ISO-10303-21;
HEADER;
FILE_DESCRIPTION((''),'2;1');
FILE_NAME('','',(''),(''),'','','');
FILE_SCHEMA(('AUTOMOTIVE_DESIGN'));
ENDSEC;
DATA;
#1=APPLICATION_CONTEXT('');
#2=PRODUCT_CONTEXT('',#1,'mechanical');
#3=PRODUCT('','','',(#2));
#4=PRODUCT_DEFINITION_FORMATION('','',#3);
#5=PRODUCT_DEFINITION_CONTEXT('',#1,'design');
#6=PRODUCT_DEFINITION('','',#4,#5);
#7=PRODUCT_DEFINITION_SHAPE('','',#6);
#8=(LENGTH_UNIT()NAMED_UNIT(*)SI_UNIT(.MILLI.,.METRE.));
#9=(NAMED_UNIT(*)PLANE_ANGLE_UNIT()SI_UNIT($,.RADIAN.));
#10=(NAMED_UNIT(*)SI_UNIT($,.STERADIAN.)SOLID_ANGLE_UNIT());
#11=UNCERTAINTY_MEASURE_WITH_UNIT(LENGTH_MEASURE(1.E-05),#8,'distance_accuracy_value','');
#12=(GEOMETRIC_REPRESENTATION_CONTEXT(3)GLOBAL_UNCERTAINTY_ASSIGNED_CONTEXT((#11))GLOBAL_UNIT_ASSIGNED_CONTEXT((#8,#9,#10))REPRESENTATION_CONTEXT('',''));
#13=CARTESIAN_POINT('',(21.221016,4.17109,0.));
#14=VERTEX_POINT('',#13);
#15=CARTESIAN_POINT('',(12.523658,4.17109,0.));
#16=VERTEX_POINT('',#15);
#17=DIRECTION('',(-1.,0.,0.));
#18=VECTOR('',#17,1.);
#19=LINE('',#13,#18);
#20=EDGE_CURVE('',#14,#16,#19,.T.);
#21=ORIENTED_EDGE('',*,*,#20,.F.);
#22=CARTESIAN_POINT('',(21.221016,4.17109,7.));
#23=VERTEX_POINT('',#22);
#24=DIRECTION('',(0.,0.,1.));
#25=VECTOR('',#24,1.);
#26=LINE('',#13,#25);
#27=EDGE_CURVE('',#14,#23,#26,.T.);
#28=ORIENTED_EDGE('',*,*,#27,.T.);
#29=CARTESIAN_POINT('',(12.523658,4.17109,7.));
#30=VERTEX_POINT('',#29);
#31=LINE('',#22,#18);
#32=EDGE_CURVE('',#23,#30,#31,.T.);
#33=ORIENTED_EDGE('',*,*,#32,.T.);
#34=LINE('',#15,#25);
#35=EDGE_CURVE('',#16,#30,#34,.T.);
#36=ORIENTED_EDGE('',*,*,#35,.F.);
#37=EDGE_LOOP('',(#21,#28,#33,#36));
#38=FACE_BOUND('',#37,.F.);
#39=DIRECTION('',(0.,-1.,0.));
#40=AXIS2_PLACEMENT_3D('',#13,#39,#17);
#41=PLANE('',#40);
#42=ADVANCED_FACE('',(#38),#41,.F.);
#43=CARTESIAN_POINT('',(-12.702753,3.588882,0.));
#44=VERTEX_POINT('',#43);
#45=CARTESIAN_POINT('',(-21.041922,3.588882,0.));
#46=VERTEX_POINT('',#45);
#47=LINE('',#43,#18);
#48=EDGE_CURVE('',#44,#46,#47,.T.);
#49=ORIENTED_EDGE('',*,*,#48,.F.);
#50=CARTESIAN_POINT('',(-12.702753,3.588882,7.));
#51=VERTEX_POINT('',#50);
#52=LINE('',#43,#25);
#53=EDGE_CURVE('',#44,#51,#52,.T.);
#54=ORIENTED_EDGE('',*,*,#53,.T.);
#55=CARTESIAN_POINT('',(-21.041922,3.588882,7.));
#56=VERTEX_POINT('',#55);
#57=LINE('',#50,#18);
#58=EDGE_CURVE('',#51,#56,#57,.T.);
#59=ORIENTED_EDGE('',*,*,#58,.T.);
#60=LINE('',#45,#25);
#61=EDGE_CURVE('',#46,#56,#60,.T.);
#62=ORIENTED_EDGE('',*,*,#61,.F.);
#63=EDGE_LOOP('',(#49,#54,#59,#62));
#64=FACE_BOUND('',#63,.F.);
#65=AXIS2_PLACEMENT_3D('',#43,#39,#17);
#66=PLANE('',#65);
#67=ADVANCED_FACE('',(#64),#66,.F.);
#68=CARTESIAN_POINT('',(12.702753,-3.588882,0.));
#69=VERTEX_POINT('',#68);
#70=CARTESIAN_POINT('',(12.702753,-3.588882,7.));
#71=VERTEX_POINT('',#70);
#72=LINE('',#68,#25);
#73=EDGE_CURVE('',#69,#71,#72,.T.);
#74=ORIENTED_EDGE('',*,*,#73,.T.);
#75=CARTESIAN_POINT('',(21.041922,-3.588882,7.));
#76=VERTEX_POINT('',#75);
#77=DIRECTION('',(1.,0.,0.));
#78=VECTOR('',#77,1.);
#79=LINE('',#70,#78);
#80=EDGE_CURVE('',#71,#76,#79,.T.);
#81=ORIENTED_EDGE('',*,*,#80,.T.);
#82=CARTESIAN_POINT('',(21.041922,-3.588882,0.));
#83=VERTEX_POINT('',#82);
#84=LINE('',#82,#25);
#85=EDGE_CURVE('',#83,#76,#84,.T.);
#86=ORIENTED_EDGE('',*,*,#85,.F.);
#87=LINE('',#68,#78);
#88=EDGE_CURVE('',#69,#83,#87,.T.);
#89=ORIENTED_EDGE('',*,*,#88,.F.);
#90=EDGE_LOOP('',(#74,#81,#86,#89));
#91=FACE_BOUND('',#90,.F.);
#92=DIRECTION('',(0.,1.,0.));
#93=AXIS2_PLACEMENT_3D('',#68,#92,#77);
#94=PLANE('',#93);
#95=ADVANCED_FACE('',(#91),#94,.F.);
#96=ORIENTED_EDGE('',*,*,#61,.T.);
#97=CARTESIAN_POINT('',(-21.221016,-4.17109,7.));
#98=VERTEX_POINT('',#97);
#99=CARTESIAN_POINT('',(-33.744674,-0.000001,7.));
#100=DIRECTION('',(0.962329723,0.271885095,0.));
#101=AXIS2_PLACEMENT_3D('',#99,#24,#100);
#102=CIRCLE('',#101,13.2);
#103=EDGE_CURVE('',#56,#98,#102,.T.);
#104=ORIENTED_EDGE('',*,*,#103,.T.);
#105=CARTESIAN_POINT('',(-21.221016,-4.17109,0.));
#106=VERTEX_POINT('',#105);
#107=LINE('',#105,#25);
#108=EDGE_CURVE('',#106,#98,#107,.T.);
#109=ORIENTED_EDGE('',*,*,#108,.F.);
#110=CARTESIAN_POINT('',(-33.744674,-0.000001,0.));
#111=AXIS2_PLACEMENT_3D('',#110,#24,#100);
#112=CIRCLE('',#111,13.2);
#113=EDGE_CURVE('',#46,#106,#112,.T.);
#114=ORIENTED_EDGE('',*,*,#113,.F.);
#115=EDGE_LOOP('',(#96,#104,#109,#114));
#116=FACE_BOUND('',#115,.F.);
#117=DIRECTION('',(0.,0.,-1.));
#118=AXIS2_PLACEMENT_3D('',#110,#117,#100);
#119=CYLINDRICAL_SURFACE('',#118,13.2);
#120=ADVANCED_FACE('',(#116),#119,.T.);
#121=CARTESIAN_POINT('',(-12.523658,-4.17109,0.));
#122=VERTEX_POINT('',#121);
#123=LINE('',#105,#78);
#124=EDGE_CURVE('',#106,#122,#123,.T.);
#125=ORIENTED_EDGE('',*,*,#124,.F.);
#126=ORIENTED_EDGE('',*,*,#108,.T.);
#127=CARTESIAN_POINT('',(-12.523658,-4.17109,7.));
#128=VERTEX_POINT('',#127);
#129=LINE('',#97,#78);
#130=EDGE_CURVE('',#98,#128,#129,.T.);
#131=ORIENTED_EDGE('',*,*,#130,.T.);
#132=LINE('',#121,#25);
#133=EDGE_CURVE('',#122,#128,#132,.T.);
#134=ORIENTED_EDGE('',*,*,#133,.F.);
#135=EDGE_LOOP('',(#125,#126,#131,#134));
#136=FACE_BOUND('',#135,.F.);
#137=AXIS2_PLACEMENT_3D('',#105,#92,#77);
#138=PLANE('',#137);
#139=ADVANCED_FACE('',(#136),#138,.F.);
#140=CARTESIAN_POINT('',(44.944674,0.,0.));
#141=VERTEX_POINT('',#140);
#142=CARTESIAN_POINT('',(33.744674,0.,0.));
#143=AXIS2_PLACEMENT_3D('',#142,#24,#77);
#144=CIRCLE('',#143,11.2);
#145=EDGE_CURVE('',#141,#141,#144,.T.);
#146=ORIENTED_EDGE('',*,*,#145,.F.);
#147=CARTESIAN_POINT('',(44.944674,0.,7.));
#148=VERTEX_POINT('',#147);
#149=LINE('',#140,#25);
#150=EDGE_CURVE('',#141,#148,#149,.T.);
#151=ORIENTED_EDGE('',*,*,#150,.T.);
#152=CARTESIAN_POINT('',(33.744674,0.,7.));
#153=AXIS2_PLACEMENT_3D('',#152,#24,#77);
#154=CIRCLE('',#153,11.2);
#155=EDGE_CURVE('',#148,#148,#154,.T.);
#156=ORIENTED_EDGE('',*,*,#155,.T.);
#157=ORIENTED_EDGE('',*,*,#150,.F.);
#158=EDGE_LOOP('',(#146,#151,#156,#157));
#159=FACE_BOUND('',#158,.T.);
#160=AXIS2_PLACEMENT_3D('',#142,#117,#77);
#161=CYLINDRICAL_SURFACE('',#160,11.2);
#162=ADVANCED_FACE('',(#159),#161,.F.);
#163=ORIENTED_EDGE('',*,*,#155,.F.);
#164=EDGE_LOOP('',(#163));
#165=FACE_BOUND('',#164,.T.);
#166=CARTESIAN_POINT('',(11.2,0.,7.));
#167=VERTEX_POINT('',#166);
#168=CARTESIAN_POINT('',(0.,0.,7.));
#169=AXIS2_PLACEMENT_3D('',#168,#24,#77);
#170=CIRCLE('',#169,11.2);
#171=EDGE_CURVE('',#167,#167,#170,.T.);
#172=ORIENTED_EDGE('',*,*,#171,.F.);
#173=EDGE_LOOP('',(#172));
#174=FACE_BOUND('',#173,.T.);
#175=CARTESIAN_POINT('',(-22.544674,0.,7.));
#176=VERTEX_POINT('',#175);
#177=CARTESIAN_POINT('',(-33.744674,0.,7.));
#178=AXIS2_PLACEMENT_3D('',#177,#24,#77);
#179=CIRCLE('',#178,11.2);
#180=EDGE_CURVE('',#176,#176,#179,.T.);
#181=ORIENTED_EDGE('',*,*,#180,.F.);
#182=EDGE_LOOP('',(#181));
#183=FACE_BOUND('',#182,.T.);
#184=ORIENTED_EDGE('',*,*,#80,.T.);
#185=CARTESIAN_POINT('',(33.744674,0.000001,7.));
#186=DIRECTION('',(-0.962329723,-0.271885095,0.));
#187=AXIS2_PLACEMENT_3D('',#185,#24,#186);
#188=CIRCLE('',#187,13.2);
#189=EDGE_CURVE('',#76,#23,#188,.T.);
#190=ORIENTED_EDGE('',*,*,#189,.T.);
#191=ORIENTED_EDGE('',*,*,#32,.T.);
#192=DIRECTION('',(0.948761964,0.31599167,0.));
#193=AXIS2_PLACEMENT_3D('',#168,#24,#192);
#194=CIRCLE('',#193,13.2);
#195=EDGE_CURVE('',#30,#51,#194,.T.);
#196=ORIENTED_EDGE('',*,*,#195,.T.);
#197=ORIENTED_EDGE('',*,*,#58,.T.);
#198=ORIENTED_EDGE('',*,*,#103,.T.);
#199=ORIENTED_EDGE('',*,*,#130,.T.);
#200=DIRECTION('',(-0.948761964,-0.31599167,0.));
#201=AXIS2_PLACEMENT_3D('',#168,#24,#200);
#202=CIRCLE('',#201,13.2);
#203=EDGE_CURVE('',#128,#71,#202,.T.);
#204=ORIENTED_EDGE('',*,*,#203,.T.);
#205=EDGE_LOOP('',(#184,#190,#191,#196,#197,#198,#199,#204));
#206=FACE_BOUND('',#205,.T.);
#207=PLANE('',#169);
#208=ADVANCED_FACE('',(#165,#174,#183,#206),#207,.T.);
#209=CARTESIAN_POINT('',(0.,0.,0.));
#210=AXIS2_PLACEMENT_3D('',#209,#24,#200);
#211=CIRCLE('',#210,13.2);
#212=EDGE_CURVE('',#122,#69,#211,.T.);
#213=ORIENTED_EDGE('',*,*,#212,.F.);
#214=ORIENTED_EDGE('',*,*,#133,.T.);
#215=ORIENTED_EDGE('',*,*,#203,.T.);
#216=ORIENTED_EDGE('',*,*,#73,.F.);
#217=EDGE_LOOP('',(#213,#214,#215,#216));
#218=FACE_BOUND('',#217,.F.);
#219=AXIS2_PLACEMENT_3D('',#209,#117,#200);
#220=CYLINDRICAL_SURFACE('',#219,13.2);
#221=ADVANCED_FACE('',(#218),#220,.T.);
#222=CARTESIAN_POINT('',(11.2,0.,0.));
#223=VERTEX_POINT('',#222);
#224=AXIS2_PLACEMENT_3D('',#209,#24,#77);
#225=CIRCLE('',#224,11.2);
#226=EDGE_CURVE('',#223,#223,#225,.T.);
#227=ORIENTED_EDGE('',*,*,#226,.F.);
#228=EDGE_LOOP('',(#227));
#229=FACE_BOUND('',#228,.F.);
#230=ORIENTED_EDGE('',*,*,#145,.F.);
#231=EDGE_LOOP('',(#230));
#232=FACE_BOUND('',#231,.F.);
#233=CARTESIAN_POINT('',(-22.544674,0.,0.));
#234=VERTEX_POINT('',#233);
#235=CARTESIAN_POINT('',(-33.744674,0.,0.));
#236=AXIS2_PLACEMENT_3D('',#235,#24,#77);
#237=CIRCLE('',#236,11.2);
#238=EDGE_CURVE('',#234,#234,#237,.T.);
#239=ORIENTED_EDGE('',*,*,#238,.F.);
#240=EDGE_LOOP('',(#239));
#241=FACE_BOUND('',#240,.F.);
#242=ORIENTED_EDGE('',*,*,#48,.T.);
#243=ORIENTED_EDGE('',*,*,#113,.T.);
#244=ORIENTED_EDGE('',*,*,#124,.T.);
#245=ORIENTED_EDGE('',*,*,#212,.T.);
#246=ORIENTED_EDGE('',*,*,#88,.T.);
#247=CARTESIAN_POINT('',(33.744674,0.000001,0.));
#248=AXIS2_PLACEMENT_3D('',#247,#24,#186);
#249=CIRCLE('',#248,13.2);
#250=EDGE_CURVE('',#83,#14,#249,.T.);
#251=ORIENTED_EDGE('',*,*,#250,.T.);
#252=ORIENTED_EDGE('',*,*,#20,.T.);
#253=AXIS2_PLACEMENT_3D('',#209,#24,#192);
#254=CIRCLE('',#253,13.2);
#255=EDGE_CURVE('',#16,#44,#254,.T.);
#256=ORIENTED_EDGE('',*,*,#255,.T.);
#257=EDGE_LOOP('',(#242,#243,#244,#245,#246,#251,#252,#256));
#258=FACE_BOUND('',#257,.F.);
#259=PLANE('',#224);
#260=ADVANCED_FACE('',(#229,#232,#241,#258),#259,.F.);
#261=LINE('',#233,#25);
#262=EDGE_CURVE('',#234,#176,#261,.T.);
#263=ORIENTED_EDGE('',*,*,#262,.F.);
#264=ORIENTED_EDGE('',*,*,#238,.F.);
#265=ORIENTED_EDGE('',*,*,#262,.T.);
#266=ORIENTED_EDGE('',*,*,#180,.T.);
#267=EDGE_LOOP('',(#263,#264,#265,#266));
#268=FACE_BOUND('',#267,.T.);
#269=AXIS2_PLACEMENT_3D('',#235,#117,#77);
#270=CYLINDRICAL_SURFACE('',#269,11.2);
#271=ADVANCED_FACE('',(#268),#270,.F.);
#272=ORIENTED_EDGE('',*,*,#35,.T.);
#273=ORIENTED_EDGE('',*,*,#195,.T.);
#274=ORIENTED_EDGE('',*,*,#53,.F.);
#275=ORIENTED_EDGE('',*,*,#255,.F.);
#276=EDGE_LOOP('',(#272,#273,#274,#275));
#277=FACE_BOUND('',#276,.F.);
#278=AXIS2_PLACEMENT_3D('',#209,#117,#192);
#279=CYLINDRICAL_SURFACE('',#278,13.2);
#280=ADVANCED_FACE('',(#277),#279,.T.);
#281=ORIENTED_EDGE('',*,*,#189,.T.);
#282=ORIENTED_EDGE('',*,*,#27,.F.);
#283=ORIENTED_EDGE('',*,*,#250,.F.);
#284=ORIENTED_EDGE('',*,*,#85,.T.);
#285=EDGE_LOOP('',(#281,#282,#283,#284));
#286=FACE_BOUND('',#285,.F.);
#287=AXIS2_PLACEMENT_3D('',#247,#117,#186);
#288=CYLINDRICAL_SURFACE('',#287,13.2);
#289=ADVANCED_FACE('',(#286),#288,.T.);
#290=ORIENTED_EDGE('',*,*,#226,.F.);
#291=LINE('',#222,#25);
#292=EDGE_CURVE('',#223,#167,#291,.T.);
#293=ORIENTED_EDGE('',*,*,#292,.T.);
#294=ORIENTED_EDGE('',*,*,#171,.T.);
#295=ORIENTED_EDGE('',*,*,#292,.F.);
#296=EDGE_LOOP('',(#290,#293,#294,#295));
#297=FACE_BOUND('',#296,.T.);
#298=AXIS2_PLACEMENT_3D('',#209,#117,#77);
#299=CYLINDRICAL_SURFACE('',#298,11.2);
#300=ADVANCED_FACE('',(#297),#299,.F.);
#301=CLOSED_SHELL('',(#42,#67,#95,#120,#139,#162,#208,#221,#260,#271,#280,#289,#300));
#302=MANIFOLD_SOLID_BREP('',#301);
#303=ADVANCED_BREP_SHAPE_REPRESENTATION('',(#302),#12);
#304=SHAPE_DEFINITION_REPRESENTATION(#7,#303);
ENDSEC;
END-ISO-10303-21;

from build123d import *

# Parameters (mm, degrees)
F0_R     = 11.2
F1_DEPTH = 7


with BuildPart() as f1:
    # F0 (on Top) → F1 (new body)
    with BuildSketch(Plane.XY):
        with BuildLine():
            Line((21.221016, 4.17109), (12.523658, 4.17109))
            ThreePointArc((12.523658, 4.17109), (-0.304565, 13.196486), (-12.702753, 3.588882))
            Line((-12.702753, 3.588882), (-21.041922, 3.588882))
            ThreePointArc((-21.041922, 3.588882), (-46.94116, 0.304565), (-21.221016, -4.17109))
            Line((-21.221016, -4.17109), (-12.523658, -4.17109))
            ThreePointArc((-12.523658, -4.17109), (0.304565, -13.196486), (12.702753, -3.588882))
            Line((12.702753, -3.588882), (21.041922, -3.588882))
            ThreePointArc((21.041922, -3.588882), (46.94116, -0.304565), (21.221016, 4.17109))
        make_face()
        with Locations((-33.744674, 0)):
            Circle(F0_R, mode=Mode.SUBTRACT)
        Circle(F0_R, mode=Mode.SUBTRACT)
        with Locations((33.744674, 0)):
            Circle(F0_R, mode=Mode.SUBTRACT)
    extrude(amount=F1_DEPTH)


solid = f1.part
